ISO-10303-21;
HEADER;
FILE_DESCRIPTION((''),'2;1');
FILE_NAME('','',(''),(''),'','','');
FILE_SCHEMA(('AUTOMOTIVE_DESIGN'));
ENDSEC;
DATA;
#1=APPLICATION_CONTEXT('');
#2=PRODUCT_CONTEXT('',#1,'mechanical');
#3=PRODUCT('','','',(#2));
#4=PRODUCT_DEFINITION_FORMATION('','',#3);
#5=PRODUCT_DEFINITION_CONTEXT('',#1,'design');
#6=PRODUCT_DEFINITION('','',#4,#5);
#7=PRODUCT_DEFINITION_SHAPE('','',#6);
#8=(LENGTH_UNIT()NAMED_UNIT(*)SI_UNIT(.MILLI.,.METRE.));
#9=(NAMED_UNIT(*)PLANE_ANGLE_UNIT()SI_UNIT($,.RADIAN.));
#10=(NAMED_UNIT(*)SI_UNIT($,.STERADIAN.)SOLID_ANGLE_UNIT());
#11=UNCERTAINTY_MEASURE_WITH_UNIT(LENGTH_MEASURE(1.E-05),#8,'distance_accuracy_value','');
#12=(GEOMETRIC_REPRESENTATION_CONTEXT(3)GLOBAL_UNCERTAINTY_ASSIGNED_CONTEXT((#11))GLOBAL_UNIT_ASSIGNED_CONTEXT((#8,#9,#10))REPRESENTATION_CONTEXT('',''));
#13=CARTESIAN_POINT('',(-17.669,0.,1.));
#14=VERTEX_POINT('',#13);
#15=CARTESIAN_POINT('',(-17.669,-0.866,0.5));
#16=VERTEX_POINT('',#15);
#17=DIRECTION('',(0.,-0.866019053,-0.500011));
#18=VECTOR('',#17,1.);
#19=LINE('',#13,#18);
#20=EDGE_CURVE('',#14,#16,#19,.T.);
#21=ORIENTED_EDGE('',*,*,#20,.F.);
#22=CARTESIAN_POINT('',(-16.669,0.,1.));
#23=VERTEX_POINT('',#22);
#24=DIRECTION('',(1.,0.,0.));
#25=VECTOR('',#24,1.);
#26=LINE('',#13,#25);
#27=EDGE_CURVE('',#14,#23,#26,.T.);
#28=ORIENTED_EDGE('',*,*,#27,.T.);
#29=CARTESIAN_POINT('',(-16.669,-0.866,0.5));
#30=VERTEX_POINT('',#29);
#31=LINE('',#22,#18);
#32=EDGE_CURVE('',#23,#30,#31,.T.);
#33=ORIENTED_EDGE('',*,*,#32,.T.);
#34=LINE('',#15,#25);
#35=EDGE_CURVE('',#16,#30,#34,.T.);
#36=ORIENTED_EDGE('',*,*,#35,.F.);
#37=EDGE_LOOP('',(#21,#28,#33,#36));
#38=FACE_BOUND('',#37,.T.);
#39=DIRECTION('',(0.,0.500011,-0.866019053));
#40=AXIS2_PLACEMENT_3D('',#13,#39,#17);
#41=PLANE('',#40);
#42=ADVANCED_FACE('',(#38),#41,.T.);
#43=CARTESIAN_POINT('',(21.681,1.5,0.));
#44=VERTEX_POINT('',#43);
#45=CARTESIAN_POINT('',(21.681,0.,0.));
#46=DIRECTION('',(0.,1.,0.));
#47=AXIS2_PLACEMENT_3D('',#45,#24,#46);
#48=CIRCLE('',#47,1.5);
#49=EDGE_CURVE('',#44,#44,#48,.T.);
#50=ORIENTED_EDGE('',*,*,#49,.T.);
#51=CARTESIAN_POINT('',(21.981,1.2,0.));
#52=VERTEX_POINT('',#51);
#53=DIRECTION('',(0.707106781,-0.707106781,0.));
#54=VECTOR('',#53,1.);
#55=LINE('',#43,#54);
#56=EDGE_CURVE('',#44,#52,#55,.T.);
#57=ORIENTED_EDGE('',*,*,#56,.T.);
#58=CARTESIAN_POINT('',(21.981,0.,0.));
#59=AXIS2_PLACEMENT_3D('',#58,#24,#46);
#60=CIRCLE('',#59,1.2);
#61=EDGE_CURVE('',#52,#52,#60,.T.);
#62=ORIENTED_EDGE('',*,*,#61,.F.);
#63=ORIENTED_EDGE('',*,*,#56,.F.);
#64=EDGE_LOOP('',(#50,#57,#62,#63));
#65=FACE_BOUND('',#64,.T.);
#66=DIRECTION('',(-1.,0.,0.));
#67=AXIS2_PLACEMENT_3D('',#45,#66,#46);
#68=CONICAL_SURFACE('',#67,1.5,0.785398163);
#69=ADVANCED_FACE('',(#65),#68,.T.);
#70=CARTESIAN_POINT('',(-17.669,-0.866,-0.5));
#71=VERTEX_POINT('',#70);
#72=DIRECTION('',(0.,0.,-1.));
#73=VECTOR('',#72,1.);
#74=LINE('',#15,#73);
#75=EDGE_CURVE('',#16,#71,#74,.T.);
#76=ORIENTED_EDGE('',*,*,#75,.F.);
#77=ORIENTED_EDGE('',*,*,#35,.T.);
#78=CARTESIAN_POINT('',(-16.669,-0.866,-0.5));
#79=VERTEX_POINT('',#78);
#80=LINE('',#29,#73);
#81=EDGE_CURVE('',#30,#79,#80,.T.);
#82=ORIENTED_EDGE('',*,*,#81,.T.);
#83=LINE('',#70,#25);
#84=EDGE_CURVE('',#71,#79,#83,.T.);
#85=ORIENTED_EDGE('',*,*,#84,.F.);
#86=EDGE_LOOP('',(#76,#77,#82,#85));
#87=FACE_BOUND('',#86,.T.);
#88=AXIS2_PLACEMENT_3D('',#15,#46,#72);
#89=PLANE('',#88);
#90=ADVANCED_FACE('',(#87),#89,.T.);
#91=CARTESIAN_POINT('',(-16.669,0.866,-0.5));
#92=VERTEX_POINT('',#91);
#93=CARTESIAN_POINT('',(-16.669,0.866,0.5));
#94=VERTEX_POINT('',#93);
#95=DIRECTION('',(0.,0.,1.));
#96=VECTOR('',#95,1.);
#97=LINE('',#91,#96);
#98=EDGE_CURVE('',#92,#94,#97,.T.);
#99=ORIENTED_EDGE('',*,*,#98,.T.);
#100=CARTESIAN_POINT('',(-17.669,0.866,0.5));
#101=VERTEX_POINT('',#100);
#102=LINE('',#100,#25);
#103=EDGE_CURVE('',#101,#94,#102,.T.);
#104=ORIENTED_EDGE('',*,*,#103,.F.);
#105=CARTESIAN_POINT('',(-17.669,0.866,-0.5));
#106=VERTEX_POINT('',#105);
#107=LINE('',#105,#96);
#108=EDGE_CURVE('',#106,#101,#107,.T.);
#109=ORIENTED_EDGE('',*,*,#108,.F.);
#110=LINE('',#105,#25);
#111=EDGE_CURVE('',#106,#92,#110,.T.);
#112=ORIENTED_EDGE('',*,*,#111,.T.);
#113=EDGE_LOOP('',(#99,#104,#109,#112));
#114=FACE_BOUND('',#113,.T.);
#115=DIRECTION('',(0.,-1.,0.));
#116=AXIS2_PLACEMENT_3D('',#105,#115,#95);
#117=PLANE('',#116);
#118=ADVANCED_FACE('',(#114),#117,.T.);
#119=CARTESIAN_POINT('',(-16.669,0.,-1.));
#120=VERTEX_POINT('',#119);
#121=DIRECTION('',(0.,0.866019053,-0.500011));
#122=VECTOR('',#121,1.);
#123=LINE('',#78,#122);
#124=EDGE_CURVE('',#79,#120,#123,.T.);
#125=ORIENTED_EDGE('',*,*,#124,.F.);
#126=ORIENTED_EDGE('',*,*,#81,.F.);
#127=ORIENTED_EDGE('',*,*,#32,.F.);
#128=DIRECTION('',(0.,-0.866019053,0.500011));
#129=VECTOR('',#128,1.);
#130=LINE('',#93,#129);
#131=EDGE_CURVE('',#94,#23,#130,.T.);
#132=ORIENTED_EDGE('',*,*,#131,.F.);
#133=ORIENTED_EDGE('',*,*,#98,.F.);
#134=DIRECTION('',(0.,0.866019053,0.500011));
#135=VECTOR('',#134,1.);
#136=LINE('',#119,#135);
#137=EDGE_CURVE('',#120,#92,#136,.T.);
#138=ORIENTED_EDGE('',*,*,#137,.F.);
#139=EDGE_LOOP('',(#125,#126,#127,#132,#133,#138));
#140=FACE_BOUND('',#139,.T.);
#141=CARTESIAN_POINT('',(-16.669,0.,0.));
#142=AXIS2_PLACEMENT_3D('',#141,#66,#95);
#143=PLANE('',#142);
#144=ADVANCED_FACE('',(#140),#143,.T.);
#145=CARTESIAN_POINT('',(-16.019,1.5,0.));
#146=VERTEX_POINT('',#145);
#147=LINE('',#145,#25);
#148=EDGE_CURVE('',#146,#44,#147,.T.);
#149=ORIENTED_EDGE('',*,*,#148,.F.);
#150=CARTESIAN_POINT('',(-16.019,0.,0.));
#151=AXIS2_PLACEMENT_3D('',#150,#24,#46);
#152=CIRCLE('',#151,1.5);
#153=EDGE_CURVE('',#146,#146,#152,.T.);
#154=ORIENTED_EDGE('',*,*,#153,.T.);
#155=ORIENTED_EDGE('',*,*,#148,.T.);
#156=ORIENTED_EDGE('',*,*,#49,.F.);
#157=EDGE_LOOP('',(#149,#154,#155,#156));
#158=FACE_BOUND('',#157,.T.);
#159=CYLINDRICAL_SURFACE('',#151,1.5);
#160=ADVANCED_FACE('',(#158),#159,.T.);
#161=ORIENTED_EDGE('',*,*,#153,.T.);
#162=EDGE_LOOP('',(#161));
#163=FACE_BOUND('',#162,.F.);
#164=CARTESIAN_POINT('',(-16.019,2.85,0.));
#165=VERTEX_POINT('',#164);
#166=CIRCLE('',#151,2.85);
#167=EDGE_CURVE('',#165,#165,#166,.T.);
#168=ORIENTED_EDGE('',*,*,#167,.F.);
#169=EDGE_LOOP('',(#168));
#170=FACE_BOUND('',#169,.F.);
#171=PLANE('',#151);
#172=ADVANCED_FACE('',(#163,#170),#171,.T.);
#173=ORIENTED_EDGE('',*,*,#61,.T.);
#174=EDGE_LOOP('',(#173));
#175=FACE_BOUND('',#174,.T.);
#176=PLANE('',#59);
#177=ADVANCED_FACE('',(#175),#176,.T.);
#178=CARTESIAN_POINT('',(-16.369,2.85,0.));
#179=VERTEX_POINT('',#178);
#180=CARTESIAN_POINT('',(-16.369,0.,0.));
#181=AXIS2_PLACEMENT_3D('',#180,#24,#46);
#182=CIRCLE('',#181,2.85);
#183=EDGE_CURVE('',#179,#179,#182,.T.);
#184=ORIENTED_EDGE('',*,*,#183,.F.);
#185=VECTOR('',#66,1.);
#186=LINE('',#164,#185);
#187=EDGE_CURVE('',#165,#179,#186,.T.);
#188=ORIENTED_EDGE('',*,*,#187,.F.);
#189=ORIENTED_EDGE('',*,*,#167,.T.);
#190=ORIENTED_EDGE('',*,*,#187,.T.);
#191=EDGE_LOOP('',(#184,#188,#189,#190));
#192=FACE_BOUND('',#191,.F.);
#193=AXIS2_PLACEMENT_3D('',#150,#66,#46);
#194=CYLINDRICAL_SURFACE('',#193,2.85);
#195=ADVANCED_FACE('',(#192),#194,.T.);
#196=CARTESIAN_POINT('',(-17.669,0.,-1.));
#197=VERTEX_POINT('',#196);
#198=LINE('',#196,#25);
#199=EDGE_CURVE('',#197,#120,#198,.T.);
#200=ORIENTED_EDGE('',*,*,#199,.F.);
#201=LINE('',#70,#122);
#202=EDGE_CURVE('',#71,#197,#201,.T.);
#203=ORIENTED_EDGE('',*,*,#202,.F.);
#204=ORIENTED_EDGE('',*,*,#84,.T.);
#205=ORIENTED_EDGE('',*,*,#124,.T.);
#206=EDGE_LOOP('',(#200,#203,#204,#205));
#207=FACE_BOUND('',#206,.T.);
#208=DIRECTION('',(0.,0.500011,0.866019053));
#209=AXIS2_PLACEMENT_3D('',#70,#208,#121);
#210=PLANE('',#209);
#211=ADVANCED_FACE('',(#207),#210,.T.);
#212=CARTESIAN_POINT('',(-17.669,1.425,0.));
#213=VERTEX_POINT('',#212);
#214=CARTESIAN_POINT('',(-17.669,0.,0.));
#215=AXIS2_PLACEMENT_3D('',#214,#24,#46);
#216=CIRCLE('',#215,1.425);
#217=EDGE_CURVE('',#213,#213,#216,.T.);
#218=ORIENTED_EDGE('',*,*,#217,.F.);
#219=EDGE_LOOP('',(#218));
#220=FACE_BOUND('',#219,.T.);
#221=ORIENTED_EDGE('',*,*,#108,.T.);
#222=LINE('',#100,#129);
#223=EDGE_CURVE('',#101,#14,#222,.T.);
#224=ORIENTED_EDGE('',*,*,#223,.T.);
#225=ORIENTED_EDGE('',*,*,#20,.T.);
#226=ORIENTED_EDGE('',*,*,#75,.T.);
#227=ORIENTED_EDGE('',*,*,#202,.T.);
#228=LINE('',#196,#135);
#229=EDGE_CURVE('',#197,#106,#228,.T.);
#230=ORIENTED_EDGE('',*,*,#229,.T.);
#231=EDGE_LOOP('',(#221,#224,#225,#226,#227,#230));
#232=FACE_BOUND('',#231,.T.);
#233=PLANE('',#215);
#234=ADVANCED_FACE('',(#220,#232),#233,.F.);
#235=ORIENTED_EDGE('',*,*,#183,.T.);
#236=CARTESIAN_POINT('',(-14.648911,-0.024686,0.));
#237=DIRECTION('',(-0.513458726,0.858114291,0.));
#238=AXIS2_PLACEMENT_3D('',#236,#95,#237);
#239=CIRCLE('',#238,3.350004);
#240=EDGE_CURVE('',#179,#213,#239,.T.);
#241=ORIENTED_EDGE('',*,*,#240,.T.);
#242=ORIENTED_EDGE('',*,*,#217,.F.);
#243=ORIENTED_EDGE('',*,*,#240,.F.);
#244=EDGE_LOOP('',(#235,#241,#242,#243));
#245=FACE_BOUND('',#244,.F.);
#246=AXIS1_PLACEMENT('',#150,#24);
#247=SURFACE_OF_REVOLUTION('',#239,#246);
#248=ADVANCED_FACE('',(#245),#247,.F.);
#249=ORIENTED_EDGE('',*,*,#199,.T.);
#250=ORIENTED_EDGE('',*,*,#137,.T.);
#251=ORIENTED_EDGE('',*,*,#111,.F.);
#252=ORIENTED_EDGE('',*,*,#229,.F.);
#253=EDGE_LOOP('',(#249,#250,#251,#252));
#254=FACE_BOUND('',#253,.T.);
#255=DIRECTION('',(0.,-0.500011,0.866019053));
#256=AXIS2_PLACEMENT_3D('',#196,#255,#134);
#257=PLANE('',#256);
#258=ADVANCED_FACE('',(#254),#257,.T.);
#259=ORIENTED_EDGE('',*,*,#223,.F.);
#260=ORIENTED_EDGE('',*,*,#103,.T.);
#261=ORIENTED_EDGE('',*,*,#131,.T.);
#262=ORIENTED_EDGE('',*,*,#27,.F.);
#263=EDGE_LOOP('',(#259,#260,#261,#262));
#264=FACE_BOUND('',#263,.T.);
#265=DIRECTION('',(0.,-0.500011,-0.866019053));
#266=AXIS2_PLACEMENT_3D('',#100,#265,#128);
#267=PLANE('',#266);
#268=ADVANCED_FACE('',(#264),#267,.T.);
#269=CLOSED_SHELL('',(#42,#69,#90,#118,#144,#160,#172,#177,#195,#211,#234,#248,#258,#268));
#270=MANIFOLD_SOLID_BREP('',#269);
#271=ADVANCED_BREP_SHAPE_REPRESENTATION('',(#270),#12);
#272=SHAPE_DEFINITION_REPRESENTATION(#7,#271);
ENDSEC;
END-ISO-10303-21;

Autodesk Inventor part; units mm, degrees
ref_plane "YZ Plane" through (0, 0, 0) normal (1, 0, 0) x (0, 1, 0)
ref_plane "XZ Plane" through (0, 0, 0) normal (0, 1, 0) x (-1, 0, 0)
ref_plane "XY Plane" through (0, 0, 0) normal (0, 0, 1) x (1, 0, 0)
sketch "Sketch1" plane through (0, 0, 0) normal (0, 0, 1) x (1, 0, 0)
  line L0 (-16.019, 0) -> (21.981, 0)
  line L1 (-16.019, 1.5) -> (21.681, 1.5)
  line L2 (-16.019, 0) -> (-16.019, 2.85)
  line L3 (-17.669, 0) -> (-17.669, 1.425)
  line L4 (21.981, 1.2) -> (21.981, 0)
  line L5 (-16.369, 0) -> (-16.369, 2.85)
  line L6 (-16.019, 2.85) -> (-16.369, 2.85)
  arc A0 (-16.369, 2.85) -> (-17.669, 1.425) centre (-14.6489, -0.0247) ccw
  line L7 (21.681, 1.5) -> (21.981, 1.2)
  line L8 (-16.019, 0) -> (-17.669, 0)
  point P0 (0, 0)
  point P1 (21.981, 1.5)
  dimension "d0" = 38
  dimension "d1" = 1.5
  dimension "d2" = 2.85
  dimension "d3" = 1.425
  dimension "d4" = 1.65
  dimension "d5" = 2.85
  dimension "d6" = 0.35
  dimension "d7" = 3.35
  dimension "d8" = 0.3
  dimension "d9" = 45
revolve "Revolution1" add sketch "Sketch1" angle 360 about axis through (-16.019, 0, 0) along (1, 0, 0)
sketch "Sketch2" plane through (-17.669, 0, 0) normal (-1, 0, 0) x (0, 0, 1)
  line L0 (-1, 0) -> (-0.5, 0.866)
  line L1 (-0.5, 0.866) -> (0.5, 0.866)
  line L2 (0.5, 0.866) -> (1, 0)
  line L3 (1, 0) -> (0.5, -0.866)
  line L4 (0.5, -0.866) -> (-0.5, -0.866)
  line L5 (-0.5, -0.866) -> (-1, 0)
  point P0 (0, 0)
  point P1 (0, 0)
  dimension "d11" = 2
extrude "Extrusion1" cut sketch "Sketch2" against normal blind 1
thread "Thread1" size "M3x0.5" class "6g" standard "ANSI Metric M Profile" full length
properties part number "bolt" material "Steel, Mild, Welded"
